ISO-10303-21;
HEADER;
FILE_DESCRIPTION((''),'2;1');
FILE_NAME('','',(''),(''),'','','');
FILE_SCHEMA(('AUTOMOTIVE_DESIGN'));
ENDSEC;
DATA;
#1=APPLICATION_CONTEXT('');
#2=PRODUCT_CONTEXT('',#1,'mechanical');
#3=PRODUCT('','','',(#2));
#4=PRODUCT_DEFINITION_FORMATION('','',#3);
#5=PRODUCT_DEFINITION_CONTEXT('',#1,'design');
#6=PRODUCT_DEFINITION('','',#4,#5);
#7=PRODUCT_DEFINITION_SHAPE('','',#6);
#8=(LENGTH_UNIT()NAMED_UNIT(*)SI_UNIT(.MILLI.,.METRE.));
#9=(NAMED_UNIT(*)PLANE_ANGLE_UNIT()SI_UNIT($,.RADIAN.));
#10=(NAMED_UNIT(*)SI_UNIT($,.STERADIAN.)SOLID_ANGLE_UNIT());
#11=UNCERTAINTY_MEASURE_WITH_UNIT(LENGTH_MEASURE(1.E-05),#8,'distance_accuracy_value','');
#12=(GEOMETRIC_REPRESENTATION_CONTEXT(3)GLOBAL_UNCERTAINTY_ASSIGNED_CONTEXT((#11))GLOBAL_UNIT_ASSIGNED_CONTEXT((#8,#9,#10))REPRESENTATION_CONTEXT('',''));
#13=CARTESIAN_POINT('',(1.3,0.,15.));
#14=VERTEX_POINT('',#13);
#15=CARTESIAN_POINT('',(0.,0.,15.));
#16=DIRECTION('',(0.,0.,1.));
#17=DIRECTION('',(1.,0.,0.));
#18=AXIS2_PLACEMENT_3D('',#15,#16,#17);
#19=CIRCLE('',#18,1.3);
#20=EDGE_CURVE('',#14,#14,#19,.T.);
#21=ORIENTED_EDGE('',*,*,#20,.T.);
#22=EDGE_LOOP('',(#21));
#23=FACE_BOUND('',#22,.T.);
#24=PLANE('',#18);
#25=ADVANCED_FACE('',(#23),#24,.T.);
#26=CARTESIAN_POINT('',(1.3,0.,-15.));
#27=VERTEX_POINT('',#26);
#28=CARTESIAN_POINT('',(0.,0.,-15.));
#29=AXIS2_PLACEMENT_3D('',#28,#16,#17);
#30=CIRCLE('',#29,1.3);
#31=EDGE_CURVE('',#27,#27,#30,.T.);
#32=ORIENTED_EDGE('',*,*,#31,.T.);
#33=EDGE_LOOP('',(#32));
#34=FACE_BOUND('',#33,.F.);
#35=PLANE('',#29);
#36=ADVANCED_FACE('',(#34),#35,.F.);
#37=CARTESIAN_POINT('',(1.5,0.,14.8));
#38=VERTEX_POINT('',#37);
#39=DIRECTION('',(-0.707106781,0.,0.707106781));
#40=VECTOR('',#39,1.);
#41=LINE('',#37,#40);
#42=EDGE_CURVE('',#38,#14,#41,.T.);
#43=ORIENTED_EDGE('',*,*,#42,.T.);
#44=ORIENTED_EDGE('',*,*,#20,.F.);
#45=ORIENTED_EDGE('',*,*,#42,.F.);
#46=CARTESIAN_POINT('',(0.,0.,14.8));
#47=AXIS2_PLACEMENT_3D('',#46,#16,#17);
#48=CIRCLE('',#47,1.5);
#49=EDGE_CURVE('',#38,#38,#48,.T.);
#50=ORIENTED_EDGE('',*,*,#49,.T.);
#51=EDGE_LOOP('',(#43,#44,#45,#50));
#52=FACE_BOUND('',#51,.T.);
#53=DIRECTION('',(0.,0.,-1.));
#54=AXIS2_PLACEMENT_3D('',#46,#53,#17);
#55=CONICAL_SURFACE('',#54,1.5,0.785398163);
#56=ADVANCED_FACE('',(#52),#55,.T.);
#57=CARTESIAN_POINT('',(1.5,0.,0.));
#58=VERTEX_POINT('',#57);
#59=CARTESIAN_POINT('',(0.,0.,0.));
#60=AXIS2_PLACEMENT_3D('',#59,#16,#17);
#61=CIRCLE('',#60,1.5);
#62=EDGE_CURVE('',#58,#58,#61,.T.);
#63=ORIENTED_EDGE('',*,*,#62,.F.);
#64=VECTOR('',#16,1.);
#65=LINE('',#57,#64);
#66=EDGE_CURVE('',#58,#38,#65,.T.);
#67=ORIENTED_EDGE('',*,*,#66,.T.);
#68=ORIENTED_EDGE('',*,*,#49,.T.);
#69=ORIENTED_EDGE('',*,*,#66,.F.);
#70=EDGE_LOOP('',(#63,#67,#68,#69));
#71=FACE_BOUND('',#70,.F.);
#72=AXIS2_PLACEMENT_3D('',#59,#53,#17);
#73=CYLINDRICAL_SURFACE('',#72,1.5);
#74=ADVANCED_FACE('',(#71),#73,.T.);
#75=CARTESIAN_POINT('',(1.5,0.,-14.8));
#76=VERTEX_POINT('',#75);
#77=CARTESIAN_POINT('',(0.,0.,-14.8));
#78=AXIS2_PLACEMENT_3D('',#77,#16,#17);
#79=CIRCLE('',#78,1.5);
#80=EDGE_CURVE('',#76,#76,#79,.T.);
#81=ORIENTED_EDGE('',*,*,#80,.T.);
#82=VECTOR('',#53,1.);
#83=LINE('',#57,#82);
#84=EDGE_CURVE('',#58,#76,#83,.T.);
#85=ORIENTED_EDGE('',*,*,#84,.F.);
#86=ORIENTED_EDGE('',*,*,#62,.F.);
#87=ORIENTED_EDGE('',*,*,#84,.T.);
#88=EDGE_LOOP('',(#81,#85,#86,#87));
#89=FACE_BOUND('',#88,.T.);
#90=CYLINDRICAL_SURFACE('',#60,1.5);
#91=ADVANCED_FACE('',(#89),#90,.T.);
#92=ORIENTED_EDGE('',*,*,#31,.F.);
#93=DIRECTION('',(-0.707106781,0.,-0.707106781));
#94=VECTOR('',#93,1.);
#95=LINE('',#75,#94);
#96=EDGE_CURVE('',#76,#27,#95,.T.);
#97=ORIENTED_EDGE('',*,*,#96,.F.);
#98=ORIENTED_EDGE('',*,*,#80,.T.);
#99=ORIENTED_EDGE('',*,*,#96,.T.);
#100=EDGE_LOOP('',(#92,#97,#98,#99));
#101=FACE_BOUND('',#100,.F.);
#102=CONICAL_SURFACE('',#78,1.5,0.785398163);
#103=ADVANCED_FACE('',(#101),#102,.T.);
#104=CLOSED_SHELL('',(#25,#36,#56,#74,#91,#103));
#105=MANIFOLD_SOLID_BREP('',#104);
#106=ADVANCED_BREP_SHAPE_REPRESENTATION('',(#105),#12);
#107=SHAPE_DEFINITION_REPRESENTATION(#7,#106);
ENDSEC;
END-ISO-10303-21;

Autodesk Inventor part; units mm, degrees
ref_plane "YZ Plane" through (0, 0, 0) normal (1, 0, 0) x (0, 1, 0)
ref_plane "XZ Plane" through (0, 0, 0) normal (0, 1, 0) x (-1, 0, 0)
ref_plane "XY Plane" through (0, 0, 0) normal (0, 0, 1) x (1, 0, 0)
sketch "Esquisse1" plane through (0, 0, 0) normal (0, 0, 1) x (1, 0, 0)
  circle A0 centre (0, 0) radius 1.5
  dimension "d0" = 3
extrude "Extrusion1" add sketch "Esquisse1" along normal mid plane 30
chamfer "Chanfrein1" distance 0.2 angle 45 2 edges at (-1.5, 0, 15) (-1.5, 0, -15)
properties part number "1400-05-03 Axe charniere" material "Acier inoxydable"
